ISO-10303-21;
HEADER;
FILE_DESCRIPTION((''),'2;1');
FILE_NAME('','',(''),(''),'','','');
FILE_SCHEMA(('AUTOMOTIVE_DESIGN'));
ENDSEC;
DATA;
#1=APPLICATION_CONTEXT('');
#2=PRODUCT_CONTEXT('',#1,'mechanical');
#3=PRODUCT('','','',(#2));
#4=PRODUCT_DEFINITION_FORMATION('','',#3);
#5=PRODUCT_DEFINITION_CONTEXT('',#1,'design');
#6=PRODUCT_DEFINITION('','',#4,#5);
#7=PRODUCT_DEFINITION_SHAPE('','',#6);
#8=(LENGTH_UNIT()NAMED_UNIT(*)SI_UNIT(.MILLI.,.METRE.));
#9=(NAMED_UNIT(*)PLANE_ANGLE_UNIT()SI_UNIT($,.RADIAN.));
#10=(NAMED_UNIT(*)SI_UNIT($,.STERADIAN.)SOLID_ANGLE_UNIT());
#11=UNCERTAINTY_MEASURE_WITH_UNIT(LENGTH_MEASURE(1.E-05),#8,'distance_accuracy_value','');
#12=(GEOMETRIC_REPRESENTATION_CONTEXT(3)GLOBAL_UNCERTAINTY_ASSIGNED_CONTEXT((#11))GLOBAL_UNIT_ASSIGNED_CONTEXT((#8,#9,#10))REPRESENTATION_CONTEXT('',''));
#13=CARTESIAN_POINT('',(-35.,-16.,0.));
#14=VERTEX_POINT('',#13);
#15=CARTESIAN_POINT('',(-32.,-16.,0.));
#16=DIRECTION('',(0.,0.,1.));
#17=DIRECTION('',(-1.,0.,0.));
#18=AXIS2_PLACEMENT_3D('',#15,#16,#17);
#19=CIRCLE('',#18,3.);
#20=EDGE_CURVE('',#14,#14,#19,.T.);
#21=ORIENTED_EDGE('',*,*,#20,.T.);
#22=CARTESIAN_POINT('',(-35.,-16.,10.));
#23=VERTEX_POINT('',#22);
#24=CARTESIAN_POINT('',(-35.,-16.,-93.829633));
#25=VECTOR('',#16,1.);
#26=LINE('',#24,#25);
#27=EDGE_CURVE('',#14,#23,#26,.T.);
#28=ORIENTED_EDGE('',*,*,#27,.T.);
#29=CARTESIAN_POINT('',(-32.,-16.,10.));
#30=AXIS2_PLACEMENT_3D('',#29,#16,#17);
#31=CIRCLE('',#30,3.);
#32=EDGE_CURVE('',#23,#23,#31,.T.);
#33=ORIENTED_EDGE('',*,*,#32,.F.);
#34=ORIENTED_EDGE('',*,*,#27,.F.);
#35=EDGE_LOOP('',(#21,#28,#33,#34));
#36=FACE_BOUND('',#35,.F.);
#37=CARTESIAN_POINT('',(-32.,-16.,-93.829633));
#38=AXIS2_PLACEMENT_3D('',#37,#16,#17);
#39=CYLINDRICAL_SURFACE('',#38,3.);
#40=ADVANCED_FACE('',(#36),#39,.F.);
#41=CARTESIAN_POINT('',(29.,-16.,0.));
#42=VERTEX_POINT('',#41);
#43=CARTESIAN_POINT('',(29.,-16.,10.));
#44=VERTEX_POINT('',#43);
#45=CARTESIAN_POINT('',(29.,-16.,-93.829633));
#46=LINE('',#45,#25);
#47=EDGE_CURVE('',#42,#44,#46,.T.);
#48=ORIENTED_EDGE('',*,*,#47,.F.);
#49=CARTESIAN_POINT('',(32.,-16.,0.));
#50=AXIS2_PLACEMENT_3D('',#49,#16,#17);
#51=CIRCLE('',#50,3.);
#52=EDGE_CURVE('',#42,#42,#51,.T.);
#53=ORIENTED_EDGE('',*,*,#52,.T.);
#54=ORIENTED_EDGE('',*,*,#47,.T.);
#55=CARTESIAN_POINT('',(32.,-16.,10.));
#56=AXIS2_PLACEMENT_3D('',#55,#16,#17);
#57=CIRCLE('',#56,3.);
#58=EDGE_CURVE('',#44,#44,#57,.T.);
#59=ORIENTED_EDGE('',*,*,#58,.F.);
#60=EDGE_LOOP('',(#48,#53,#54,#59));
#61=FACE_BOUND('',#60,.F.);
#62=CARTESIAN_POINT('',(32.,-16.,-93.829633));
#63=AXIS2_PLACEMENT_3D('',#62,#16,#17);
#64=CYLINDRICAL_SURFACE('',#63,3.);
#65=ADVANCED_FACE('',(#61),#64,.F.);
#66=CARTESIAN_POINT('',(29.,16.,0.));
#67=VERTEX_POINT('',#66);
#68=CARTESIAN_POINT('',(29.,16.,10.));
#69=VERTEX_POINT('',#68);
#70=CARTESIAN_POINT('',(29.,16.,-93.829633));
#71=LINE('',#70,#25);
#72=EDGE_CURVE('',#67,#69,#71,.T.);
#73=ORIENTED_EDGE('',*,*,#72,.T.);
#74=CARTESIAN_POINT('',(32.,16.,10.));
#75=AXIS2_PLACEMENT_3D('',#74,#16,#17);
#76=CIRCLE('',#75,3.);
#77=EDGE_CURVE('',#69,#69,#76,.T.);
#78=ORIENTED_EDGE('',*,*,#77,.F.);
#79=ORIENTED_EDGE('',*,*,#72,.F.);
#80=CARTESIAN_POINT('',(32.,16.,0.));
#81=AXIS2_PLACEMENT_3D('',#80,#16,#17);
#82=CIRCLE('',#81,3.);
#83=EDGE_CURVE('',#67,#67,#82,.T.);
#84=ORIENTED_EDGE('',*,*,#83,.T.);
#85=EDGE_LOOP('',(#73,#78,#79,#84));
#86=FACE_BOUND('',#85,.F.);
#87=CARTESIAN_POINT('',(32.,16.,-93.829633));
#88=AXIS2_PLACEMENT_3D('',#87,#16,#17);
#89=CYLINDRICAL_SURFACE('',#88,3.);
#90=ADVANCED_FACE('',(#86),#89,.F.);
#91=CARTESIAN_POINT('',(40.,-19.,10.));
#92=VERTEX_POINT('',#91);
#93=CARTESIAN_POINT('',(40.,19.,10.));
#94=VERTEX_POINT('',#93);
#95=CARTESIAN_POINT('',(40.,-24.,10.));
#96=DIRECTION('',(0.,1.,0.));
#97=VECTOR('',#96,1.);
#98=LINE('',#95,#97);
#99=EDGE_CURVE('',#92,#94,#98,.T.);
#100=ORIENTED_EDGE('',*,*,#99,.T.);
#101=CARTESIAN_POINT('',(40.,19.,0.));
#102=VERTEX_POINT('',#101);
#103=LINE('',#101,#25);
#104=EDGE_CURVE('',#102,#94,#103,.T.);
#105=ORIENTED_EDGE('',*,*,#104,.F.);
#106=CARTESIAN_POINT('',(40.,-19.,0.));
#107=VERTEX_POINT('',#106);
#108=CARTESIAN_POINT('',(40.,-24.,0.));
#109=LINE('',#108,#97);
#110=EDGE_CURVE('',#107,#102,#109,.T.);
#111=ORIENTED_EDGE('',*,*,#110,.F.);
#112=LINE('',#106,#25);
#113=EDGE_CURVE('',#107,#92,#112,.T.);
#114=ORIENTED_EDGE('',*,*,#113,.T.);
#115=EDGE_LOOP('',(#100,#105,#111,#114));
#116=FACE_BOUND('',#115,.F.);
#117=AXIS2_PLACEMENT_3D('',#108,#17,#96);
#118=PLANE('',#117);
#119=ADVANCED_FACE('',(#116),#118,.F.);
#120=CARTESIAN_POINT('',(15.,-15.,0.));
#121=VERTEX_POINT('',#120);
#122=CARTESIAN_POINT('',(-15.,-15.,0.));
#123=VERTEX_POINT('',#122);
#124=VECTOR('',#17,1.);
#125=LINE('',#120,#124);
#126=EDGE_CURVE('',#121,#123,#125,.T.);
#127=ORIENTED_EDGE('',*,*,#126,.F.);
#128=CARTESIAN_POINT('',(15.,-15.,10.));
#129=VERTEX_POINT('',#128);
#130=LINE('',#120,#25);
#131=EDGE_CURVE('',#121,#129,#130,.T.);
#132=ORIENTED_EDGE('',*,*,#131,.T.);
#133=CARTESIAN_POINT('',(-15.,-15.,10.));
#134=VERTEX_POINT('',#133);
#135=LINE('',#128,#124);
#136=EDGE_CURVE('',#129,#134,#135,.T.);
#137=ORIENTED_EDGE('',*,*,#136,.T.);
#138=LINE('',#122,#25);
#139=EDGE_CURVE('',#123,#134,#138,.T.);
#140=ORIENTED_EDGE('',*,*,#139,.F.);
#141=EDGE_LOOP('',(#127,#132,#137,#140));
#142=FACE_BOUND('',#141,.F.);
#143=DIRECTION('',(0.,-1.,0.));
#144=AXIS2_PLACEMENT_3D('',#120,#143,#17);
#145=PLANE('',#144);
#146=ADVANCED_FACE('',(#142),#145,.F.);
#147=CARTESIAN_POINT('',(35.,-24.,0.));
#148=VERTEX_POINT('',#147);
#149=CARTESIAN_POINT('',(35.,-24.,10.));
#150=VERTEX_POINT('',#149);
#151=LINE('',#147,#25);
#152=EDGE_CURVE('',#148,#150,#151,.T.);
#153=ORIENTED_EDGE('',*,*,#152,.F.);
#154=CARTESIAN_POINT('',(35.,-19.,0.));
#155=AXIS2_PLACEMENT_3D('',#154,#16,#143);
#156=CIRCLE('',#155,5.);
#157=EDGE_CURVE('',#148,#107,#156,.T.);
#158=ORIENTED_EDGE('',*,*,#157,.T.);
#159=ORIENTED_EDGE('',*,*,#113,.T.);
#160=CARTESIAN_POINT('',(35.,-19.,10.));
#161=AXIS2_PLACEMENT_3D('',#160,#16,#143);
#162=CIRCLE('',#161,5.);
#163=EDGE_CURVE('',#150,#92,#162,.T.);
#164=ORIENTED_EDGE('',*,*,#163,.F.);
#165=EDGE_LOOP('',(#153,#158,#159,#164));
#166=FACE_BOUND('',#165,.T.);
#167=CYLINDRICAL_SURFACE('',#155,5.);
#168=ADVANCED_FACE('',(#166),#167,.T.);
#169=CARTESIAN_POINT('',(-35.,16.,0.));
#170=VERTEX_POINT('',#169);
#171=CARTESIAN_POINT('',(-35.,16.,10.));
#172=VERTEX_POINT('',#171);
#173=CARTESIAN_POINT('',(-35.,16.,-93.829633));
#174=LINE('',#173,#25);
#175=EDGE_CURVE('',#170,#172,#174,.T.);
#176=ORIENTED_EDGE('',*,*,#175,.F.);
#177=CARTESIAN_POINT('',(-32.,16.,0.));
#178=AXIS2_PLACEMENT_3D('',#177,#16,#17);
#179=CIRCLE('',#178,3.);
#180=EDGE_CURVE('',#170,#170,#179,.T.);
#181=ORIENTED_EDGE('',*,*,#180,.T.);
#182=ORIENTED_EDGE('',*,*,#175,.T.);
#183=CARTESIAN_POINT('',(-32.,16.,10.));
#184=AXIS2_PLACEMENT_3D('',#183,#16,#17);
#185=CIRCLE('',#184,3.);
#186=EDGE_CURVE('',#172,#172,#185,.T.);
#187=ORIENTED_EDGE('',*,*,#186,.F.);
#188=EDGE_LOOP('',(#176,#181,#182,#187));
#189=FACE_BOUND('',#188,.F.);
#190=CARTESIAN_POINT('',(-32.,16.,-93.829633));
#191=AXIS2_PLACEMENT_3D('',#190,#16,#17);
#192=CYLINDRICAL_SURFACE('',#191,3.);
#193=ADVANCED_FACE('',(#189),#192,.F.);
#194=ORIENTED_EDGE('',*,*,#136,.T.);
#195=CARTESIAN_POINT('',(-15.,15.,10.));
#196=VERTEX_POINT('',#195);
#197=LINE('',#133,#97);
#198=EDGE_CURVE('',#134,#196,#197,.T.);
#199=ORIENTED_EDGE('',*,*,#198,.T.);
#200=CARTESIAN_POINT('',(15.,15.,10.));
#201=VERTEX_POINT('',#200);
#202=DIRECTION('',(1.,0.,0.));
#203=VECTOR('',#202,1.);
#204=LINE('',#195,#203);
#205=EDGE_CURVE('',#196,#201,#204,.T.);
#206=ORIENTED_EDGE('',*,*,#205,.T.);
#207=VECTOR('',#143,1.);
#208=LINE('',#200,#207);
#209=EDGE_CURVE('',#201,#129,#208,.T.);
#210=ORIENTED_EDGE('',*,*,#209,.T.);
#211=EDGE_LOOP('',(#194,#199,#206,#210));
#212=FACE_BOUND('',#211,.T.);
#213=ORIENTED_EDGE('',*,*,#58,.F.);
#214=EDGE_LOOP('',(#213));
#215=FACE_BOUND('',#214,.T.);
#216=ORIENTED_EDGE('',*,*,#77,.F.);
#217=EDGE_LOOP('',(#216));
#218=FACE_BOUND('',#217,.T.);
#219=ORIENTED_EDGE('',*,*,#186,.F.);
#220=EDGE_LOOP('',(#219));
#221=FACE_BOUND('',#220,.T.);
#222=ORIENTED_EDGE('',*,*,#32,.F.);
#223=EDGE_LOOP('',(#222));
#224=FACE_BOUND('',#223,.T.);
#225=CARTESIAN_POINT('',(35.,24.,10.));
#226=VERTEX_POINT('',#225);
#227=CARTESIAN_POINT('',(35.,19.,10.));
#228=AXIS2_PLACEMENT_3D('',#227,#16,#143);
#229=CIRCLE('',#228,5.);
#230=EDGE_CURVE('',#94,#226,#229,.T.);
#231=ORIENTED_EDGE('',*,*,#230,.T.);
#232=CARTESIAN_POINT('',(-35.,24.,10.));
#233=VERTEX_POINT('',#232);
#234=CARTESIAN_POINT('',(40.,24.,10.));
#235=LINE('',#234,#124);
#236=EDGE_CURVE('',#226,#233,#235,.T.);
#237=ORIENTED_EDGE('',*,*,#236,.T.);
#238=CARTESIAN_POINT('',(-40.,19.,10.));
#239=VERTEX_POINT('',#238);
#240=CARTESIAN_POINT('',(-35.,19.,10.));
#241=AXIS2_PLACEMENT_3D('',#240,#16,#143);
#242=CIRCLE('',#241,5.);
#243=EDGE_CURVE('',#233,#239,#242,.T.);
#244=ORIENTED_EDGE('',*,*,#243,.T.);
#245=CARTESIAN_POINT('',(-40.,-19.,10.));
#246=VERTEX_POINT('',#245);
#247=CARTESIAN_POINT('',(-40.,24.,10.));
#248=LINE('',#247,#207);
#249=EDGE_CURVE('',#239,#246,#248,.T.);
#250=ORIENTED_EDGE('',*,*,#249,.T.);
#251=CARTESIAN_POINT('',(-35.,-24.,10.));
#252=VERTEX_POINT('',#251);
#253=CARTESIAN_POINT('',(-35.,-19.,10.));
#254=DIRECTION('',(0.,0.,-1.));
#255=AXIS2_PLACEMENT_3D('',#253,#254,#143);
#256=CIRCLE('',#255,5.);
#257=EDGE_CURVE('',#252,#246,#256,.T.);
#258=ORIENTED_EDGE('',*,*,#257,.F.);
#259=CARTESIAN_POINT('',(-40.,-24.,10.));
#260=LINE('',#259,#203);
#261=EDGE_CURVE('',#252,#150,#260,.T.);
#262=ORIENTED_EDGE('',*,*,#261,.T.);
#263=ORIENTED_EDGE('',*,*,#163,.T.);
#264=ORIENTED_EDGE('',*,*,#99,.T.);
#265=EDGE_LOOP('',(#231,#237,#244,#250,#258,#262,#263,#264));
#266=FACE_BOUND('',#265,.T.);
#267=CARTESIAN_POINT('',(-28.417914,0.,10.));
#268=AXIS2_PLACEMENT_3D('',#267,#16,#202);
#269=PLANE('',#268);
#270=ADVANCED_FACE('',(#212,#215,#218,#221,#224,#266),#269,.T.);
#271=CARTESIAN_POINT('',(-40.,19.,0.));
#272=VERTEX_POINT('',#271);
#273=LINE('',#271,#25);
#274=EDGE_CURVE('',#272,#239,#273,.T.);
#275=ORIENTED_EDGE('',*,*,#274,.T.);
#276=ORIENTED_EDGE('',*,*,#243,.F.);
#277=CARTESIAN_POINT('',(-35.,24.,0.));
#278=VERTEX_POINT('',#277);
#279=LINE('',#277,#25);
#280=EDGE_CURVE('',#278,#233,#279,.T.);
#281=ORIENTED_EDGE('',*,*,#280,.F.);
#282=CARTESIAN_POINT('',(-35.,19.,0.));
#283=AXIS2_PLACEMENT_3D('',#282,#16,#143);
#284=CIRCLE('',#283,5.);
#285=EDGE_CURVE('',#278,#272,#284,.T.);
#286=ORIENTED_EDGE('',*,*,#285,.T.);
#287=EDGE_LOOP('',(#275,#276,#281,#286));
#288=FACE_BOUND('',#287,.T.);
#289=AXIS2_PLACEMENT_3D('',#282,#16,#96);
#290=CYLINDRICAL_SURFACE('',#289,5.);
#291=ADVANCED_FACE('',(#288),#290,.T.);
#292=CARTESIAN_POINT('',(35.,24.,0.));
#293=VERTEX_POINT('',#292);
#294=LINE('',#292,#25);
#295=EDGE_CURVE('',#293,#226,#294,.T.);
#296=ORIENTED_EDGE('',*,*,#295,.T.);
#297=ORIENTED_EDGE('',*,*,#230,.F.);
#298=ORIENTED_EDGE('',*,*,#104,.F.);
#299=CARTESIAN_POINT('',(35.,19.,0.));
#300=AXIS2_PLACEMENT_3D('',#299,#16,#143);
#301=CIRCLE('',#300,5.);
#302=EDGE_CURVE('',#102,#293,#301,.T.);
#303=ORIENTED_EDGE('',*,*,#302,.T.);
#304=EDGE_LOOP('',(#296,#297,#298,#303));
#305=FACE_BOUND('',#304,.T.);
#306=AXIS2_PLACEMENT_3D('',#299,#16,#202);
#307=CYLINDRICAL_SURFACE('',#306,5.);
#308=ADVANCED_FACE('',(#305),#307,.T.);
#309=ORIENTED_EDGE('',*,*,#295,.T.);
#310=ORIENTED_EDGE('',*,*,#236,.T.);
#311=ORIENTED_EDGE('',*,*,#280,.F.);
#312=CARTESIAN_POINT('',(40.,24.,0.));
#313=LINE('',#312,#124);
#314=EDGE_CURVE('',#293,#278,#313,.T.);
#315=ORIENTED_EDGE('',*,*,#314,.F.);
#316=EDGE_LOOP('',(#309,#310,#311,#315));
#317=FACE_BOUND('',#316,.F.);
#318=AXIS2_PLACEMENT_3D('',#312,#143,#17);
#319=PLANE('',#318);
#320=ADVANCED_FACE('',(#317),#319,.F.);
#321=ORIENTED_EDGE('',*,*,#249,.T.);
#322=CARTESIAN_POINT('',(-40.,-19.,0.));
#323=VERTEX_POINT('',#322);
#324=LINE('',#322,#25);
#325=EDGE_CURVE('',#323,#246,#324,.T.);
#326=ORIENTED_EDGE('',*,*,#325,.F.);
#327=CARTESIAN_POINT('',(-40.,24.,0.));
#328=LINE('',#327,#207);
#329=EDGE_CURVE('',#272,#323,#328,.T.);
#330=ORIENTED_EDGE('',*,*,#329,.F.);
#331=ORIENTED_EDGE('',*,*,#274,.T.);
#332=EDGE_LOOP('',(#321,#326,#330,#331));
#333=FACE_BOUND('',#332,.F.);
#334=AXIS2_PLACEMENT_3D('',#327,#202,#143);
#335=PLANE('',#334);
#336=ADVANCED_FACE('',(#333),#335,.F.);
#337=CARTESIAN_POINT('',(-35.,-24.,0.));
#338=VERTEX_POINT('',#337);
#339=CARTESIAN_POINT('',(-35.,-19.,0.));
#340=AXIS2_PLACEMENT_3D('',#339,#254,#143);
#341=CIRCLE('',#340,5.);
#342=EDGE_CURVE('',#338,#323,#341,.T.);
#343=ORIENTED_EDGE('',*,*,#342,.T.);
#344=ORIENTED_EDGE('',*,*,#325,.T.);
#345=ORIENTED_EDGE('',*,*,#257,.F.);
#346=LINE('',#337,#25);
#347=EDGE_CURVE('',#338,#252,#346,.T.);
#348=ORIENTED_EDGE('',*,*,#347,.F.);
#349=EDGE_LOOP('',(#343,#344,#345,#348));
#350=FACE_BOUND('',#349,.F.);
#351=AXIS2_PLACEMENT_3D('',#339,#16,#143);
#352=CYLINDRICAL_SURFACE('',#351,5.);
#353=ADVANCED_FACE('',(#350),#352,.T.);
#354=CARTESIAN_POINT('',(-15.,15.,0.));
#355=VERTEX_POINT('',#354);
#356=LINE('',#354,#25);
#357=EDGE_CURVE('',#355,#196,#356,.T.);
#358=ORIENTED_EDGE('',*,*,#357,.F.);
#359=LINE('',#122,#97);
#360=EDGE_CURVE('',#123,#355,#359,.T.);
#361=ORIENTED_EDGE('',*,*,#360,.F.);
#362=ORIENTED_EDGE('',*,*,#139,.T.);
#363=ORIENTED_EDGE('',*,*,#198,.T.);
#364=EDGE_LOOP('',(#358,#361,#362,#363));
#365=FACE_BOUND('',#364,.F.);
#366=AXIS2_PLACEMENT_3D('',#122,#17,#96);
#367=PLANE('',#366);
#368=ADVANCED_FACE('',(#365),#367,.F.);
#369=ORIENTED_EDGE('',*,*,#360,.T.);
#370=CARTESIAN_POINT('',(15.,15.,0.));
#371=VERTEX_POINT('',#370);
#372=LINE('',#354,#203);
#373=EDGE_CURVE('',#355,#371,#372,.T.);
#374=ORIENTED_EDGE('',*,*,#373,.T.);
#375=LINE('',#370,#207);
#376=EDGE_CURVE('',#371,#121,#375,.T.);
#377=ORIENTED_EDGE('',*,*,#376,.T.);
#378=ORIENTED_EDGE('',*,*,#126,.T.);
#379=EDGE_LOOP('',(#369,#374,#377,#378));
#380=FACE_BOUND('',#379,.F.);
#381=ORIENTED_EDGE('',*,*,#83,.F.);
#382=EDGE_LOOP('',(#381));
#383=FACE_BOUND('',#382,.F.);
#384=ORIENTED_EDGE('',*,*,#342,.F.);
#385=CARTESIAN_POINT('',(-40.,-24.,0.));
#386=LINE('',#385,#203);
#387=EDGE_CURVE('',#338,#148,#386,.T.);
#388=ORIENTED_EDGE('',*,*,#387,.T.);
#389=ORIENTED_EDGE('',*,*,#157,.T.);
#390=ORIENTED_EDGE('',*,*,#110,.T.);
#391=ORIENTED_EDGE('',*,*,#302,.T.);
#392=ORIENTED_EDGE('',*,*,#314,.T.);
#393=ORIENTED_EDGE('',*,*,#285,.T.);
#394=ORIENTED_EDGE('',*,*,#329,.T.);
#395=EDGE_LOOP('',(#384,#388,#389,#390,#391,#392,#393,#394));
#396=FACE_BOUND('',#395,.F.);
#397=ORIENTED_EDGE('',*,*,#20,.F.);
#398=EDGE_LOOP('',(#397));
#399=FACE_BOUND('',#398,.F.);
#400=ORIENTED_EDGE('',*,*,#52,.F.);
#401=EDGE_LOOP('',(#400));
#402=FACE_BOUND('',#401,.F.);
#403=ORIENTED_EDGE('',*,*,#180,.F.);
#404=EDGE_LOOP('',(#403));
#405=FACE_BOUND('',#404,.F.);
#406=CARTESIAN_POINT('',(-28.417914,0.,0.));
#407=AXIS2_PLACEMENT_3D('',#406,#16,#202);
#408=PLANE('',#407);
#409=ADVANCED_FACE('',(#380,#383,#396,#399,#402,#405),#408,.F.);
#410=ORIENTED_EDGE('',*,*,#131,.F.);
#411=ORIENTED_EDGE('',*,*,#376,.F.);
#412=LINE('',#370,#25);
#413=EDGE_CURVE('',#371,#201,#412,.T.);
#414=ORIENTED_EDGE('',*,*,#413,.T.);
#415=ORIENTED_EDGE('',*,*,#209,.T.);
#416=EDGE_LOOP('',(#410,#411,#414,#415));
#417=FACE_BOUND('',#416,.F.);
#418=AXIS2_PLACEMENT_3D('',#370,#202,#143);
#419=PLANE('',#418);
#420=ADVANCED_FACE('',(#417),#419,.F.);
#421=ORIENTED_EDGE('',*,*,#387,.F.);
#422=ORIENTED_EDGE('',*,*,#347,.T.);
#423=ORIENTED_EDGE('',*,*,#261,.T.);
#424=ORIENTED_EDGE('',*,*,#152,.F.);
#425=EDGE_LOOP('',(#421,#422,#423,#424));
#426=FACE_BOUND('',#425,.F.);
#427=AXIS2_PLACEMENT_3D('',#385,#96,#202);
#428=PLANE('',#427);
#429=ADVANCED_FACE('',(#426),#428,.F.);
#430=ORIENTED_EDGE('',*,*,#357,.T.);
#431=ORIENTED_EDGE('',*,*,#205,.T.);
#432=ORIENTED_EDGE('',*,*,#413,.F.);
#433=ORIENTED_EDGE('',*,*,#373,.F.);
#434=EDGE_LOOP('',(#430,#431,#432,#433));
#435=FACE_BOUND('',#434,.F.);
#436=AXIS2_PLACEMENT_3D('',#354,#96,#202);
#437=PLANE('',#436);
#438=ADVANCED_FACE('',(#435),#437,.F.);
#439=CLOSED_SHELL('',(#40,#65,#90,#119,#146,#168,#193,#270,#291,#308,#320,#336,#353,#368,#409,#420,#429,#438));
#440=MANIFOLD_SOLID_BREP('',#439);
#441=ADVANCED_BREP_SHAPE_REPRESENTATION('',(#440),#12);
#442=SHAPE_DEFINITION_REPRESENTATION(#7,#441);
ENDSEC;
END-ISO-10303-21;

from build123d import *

# Parameters (mm, degrees)
F0_R     = 3
F1_DEPTH = 10
F2_R     = 5
F3_D     = 6


with BuildPart() as f1:
    # F0 (on Top) → F1 (new body)
    with BuildSketch(Plane.XY):
        with BuildLine():
            Line((-40, -24), (-12.3693168769, -24))
            ThreePointArc((-12.3693168769, -24), (-27, 0), (-12.3693168769, 24))
            Line((-12.3693168769, 24), (-40, 24))
            Line((-40, 24), (-40, -24))
        make_face()
        with BuildLine():
            Line((15, 0), (15, -15))
            Line((15, -15), (3.96875, -15))
            Line((3.96875, -15), (-3.96875, -15))
            Line((-3.96875, -15), (-15, -15))
            Line((-15, -15), (-15, 15))
            Line((-15, 15), (-3.96875, 15))
            Line((-3.96875, 15), (3.96875, 15))
            Line((3.96875, 15), (15, 15))
            Line((15, 15), (15, 4.21875))
            Line((15, 4.21875), (25.9915753842, 7.3101305768))
            ThreePointArc((25.9915753842, 7.3101305768), (20.9171568122, 17.0725672028), (12.3693168769, 24))
            Line((12.3693168769, 24), (-12.3693168769, 24))
            ThreePointArc((-12.3693168769, 24), (-27, 0), (-12.3693168769, -24))
            Line((-12.3693168769, -24), (12.3693168769, -24))
            ThreePointArc((12.3693168769, -24), (23.0539753153, -14.0539753153), (27, 0))
            Line((27, 0), (15, 0))
        make_face()
        with BuildLine():
            Line((15, 4.21875), (15, 0))
            Line((15, 0), (27, 0))
            ThreePointArc((27, 0), (26.7467057352, 3.6896791614), (25.9915753842, 7.3101305768))
            Line((25.9915753842, 7.3101305768), (15, 4.21875))
        make_face()
        with BuildLine():
            ThreePointArc((25.9915753842, 7.3101305768), (26.7467057352, 3.6896791614), (27, 0))
            ThreePointArc((27, 0), (23.0539753153, -14.0539753153), (12.3693168769, -24))
            Line((12.3693168769, -24), (40, -24))
            Line((40, -24), (40, 24))
            Line((40, 24), (12.3693168769, 24))
            ThreePointArc((12.3693168769, 24), (20.9171568122, 17.0725672028), (25.9915753842, 7.3101305768))
        make_face()
        with Locations((32, 16)):
            Circle(F0_R, mode=Mode.SUBTRACT)
        with Locations((32, 16)):
            Circle(F0_R)
    extrude(amount=F1_DEPTH)

    # F2
    f2_edges = [f1.edges().sort_by_distance(p)[0] for p in [
        (40, 24, 5),
        (40, -24, 5),
        (-40, 24, 5),
        (-40, -24, 5),
    ]]
    fillet(f2_edges, radius=F2_R)

    # F3 (through all)
    with Locations(Plane(origin=(0, 0, 0), x_dir=(1, 0, 0), z_dir=(0, 0, -1))):
        with Locations((32, -16), (32, 16), (-32, -16), (-32, 16)):
            Hole(F3_D / 2)


solid = f1.part
